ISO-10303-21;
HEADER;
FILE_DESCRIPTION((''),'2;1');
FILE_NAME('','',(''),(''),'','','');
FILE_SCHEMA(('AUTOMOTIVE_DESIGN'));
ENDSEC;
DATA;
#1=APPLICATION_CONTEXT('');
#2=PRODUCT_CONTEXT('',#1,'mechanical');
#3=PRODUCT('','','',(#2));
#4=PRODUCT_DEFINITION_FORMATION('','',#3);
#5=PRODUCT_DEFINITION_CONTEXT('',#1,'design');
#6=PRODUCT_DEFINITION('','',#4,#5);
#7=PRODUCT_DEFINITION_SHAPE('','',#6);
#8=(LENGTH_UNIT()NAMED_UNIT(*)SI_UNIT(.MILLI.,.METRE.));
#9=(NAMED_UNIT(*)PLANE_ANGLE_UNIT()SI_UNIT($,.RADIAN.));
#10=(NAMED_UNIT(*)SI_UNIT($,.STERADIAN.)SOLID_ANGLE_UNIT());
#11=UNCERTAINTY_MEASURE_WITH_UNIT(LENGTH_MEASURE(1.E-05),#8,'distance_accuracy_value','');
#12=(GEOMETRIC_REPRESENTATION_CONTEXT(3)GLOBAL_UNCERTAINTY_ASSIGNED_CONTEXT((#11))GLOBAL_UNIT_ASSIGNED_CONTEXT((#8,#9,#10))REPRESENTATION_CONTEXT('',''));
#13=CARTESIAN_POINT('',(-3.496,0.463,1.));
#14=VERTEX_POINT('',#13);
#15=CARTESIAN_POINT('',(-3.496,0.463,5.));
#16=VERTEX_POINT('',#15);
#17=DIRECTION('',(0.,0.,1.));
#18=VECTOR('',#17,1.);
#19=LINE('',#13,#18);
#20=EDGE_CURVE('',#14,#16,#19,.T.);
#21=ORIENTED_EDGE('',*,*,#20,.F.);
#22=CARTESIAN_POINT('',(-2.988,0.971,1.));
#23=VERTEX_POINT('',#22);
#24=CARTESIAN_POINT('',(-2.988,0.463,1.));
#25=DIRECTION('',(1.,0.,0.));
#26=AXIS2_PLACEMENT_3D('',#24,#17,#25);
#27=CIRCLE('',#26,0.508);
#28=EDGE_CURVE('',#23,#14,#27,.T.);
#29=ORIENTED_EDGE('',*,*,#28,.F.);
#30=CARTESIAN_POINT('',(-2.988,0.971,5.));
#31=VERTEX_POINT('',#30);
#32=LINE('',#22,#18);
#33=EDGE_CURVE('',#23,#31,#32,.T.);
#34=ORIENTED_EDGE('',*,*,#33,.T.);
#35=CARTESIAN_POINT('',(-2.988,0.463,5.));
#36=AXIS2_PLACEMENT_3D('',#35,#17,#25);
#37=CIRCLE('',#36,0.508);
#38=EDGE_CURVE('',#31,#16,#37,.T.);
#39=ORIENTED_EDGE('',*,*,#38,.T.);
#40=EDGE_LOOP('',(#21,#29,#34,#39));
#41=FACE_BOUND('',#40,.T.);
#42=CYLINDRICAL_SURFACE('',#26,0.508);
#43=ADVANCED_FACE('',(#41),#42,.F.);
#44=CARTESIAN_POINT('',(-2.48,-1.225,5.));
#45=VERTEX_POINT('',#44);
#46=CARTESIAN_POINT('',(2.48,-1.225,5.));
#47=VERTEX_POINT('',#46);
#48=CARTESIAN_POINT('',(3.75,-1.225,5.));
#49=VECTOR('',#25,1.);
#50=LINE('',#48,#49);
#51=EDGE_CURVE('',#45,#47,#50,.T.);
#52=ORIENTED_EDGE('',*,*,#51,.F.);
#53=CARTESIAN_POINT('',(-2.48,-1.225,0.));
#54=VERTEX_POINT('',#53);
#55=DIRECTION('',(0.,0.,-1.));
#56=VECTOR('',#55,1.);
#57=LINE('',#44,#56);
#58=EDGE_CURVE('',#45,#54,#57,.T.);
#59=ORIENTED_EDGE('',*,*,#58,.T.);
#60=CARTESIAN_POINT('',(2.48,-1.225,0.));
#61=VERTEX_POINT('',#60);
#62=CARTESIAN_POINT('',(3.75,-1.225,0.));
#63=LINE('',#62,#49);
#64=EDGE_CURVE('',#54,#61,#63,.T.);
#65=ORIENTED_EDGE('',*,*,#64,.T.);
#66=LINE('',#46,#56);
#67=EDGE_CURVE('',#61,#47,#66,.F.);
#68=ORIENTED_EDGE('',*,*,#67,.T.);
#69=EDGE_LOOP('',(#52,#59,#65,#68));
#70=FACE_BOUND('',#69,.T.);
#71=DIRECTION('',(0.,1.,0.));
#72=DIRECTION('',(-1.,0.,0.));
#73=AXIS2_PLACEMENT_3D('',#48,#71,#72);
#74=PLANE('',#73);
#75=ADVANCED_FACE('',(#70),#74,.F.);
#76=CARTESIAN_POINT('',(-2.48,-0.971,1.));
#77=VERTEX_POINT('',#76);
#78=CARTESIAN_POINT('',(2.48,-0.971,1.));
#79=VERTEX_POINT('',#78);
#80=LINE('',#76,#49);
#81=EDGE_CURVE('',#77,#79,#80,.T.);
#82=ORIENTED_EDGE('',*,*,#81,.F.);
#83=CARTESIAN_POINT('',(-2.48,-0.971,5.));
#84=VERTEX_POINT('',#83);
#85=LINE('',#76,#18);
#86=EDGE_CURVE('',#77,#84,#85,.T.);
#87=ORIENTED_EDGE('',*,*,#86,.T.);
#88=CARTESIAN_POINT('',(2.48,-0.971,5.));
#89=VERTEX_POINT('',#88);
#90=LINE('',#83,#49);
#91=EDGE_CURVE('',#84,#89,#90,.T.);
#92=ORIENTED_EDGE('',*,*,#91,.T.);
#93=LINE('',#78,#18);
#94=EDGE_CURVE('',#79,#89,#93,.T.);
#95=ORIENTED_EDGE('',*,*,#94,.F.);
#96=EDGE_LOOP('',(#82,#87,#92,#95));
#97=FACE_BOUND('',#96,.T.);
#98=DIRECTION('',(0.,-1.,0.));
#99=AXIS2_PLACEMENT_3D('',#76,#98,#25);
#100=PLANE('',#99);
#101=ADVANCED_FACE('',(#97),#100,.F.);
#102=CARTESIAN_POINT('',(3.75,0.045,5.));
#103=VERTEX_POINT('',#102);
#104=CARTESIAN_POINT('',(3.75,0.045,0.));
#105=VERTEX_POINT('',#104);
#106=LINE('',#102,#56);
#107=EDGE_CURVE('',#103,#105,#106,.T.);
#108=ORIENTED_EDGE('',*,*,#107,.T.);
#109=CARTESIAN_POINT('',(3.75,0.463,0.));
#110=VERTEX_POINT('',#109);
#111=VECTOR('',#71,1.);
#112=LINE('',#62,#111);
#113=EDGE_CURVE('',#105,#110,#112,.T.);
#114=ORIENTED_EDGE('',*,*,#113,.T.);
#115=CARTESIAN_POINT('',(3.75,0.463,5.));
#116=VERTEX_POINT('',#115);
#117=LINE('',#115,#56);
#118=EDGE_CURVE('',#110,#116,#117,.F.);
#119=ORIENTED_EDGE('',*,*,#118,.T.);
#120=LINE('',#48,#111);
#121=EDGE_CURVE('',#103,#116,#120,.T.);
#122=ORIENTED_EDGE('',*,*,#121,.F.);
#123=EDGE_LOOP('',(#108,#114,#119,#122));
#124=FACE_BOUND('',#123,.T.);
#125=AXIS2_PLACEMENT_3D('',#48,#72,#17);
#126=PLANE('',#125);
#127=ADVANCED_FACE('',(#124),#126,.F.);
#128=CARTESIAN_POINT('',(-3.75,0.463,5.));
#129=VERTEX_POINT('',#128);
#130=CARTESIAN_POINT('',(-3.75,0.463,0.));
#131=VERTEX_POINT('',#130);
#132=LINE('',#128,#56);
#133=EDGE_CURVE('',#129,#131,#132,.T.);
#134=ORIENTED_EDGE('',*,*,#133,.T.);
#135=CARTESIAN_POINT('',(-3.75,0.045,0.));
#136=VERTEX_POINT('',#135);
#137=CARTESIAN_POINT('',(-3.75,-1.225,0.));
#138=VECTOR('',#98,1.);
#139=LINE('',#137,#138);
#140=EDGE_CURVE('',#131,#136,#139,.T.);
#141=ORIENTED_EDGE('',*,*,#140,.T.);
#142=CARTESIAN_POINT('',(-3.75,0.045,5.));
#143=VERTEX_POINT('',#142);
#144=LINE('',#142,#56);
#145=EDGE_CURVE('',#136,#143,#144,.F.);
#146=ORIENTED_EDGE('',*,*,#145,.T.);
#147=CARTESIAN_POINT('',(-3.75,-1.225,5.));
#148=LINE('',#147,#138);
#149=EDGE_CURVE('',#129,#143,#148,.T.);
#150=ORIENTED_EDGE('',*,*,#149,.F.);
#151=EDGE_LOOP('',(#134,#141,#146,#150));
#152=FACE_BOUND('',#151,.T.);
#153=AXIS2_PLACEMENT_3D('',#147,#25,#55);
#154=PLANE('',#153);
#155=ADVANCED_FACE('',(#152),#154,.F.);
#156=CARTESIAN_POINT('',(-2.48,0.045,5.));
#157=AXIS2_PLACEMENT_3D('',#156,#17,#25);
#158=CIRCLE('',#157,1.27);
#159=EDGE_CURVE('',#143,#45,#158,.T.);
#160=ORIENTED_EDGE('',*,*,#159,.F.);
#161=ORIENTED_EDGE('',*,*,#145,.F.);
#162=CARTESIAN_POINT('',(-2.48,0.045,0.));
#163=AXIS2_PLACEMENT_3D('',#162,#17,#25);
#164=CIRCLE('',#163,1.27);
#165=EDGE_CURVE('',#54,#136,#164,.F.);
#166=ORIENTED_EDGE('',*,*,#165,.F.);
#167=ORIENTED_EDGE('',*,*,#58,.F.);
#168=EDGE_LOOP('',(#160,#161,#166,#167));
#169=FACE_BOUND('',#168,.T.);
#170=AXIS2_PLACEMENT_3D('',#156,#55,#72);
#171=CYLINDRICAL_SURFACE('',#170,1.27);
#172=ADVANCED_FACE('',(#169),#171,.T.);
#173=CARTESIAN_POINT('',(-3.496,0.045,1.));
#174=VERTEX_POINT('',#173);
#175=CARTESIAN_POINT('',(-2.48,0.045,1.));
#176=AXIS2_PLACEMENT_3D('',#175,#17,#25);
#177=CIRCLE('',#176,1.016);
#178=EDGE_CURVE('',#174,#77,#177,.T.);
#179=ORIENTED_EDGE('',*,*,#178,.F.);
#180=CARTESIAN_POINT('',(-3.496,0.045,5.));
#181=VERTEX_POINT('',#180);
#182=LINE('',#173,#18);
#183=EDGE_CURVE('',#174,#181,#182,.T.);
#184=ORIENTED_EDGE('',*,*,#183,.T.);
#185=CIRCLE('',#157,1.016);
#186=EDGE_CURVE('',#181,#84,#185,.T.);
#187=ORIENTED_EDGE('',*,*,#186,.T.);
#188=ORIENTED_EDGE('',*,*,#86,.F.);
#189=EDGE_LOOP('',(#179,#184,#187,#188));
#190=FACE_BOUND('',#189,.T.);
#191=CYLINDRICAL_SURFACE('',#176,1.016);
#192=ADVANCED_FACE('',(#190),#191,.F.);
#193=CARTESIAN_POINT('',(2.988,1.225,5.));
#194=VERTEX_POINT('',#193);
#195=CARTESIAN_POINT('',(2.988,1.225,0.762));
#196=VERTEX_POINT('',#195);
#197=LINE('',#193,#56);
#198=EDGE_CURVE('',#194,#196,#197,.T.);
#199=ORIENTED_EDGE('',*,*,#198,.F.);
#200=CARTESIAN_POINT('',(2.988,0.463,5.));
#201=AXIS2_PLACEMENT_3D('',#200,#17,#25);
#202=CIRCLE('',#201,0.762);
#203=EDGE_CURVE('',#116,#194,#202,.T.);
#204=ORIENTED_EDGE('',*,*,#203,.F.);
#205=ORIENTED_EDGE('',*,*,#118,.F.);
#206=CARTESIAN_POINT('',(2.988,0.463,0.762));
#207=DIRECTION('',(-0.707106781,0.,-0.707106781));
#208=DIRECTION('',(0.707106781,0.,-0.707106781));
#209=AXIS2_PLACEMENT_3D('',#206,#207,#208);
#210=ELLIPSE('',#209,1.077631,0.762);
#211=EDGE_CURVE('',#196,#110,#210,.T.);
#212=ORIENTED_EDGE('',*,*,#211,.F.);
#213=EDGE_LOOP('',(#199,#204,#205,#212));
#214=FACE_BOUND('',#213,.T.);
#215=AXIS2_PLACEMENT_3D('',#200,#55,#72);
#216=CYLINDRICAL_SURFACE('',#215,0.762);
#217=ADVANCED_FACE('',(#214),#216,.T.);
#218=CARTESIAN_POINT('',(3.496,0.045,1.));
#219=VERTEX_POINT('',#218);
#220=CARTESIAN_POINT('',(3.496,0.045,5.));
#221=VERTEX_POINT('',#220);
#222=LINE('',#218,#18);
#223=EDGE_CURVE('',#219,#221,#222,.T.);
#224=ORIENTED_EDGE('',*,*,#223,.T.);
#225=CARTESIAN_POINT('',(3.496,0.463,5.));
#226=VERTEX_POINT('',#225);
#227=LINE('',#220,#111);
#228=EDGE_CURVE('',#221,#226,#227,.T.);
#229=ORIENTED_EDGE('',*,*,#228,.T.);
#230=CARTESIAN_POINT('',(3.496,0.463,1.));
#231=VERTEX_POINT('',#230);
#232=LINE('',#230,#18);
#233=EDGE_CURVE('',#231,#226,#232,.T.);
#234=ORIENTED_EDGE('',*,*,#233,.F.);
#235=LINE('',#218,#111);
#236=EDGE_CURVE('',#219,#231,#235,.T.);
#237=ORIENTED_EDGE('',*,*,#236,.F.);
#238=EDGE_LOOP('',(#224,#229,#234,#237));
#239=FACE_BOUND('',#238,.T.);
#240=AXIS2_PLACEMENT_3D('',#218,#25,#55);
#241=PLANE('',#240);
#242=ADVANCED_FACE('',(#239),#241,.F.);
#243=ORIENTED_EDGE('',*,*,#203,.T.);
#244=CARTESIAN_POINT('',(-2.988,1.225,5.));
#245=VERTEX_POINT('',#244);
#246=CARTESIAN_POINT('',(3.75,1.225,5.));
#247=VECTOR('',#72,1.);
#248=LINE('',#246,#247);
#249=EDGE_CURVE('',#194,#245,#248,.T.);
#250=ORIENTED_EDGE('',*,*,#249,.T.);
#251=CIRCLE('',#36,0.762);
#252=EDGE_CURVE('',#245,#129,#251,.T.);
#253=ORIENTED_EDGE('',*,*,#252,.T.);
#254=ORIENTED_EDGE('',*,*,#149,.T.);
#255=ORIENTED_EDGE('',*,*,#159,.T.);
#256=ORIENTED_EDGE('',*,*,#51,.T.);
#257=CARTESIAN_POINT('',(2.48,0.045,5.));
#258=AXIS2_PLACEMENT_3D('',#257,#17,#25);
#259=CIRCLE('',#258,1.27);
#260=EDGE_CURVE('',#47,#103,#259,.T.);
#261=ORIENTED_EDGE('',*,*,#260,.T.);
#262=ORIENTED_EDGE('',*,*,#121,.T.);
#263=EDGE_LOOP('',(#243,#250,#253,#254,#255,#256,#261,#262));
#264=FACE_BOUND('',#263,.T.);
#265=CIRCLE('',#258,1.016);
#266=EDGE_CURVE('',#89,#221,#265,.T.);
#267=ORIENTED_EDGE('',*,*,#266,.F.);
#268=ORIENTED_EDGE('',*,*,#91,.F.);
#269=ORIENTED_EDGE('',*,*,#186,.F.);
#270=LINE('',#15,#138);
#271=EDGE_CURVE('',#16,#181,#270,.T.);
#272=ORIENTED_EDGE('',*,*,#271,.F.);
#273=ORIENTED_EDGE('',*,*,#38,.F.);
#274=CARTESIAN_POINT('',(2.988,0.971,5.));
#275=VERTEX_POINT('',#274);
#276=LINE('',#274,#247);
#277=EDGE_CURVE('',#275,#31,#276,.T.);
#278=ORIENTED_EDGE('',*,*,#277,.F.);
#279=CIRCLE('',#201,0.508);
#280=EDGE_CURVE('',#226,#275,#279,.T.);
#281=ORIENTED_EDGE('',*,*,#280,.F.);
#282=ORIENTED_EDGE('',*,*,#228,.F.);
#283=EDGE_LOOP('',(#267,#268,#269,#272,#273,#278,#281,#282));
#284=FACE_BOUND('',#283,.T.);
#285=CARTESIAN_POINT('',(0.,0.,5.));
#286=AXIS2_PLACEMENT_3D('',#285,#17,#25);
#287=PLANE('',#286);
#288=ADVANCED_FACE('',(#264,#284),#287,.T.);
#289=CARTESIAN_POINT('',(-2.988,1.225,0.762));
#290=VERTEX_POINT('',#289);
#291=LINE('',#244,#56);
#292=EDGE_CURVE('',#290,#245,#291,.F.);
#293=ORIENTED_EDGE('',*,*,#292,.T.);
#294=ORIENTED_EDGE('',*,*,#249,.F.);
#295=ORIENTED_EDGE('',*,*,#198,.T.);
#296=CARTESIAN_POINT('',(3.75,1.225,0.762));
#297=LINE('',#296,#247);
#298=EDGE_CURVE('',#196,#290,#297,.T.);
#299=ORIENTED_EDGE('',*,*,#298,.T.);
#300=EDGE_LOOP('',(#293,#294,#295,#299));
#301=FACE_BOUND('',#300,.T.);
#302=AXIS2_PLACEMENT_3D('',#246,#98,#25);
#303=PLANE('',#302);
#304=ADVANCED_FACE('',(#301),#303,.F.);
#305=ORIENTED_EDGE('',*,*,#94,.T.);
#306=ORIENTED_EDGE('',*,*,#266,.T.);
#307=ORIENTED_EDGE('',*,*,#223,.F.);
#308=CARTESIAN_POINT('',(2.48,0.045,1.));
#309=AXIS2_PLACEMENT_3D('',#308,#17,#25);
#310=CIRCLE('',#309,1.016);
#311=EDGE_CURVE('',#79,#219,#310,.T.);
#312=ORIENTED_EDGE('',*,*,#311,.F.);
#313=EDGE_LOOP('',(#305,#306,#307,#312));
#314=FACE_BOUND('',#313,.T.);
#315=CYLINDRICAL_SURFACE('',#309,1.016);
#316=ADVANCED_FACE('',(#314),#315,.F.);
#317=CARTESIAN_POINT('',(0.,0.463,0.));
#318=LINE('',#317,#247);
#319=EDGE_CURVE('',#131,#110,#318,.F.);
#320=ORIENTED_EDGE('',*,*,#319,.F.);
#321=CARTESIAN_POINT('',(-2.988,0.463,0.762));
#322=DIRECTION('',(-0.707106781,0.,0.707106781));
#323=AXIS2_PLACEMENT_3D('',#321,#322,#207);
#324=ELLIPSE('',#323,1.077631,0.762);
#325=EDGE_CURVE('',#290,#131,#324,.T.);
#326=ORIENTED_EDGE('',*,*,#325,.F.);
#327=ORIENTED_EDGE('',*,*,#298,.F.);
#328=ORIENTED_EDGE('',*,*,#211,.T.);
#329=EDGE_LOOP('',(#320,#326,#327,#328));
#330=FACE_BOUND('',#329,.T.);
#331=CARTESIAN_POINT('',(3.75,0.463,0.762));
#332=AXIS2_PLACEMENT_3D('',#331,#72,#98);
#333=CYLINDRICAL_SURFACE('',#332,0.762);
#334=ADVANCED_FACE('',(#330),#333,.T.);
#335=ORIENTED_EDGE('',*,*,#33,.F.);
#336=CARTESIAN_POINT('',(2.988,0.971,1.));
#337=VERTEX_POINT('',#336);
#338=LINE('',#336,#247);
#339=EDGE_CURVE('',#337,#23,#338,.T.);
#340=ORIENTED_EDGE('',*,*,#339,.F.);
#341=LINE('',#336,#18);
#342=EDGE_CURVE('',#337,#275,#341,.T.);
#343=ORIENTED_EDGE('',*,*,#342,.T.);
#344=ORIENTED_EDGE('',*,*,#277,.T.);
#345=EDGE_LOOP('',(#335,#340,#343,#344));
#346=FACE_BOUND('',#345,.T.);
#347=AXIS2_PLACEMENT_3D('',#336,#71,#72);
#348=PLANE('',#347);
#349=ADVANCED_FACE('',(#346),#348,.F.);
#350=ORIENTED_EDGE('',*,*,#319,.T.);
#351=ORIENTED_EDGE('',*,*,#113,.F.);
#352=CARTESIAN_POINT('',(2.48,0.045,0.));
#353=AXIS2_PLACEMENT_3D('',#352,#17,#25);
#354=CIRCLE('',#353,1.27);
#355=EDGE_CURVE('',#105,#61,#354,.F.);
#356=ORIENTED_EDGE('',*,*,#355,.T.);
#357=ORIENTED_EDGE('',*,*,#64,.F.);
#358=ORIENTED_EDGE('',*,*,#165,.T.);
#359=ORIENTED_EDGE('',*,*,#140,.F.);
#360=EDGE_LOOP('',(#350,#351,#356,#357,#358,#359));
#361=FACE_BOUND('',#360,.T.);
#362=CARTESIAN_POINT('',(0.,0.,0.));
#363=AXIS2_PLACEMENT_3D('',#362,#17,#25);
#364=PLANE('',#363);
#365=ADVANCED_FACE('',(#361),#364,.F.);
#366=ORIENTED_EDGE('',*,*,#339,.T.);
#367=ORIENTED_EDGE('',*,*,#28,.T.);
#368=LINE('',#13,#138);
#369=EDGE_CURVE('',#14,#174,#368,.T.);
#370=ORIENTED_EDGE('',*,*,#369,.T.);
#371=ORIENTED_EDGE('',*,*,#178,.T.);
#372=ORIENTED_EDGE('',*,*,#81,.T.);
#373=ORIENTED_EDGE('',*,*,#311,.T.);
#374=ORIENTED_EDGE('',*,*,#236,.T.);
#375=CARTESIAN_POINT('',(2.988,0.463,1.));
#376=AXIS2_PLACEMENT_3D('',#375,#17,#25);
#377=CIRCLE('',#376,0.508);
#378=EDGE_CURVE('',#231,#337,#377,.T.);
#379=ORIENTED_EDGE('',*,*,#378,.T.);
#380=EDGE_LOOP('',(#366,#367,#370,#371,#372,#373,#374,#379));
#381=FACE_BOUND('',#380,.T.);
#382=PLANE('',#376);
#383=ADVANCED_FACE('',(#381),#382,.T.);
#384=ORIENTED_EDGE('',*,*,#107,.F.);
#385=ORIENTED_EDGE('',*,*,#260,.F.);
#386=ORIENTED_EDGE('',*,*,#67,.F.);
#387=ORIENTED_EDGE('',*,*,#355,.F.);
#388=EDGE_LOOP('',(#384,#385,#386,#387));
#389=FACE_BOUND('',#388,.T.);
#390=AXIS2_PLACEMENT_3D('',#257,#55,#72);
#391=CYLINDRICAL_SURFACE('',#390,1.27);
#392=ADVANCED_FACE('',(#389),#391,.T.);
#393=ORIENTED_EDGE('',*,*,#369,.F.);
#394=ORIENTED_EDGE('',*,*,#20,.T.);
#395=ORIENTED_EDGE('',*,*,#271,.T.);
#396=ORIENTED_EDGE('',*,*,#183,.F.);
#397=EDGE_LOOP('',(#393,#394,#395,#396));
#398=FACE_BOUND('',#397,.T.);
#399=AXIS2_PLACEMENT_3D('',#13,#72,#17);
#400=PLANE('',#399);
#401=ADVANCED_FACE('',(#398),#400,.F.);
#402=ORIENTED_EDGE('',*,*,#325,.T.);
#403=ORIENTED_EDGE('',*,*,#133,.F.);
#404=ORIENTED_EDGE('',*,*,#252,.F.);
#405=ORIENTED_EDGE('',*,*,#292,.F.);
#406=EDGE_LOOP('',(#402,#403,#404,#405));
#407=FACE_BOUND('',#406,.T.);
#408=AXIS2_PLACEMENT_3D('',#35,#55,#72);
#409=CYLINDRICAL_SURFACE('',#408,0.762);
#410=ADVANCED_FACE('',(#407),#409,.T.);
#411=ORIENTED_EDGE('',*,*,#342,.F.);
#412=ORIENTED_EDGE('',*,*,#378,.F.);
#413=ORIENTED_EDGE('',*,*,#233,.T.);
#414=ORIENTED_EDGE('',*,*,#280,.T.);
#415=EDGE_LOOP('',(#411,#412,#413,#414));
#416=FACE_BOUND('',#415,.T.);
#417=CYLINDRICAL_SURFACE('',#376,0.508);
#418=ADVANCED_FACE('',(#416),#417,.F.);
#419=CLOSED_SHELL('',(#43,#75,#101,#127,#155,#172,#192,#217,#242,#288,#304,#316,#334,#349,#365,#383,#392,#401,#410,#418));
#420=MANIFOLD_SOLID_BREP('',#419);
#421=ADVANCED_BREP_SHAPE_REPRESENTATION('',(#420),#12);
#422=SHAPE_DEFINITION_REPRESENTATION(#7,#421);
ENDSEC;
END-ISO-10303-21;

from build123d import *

# Parameters (mm, degrees)
SKETCH1_W           = 7.5
SKETCH1_H           = 2.45
BOSS_EXTRUDE1_DEPTH = 5
FILLET1_R           = 0.762
FILLET2_R           = 1.27
CUT_EXTRUDE1_DEPTH  = 4


with BuildPart() as part:
    # Sketch1 → Boss-Extrude1 (new body)
    with BuildSketch(Plane.XY):
        Rectangle(SKETCH1_W, SKETCH1_H)
    extrude(amount=BOSS_EXTRUDE1_DEPTH)

    # Fillet1
    fillet1_edges = [part.edges().sort_by_distance(p)[0] for p in [
        (0, 1.225, 0),
        (-3.75, 1.225, 2.5),
        (3.75, 1.225, 2.5),
    ]]
    fillet(fillet1_edges, radius=FILLET1_R)

    # Fillet2
    fillet2_edges = [part.edges().sort_by_distance(p)[0] for p in [
        (3.75, -1.225, 2.5),
        (-3.75, -1.225, 2.5),
    ]]
    fillet(fillet2_edges, radius=FILLET2_R)

    # Sketch2 → Cut-Extrude1 (cut)
    with BuildSketch(Plane.XY.offset(5)):
        with BuildLine():
            Line((3.496, 0.045), (3.496, 0.463))
            ThreePointArc((3.496, 0.463), (3.347210245, 0.822210245), (2.988, 0.971))
            Line((2.988, 0.971), (-2.988, 0.971))
            ThreePointArc((-2.988, 0.971), (-3.347210245, 0.822210245), (-3.496, 0.463))
            Line((-3.496, 0.463), (-3.496, 0.045))
            ThreePointArc((-3.496, 0.045), (-3.19842049, -0.67342049), (-2.48, -0.971))
            Line((-2.48, -0.971), (2.48, -0.971))
            ThreePointArc((2.48, -0.971), (3.19842049, -0.67342049), (3.496, 0.045))
        make_face()
    extrude(amount=-CUT_EXTRUDE1_DEPTH, mode=Mode.SUBTRACT)


solid = part.part
